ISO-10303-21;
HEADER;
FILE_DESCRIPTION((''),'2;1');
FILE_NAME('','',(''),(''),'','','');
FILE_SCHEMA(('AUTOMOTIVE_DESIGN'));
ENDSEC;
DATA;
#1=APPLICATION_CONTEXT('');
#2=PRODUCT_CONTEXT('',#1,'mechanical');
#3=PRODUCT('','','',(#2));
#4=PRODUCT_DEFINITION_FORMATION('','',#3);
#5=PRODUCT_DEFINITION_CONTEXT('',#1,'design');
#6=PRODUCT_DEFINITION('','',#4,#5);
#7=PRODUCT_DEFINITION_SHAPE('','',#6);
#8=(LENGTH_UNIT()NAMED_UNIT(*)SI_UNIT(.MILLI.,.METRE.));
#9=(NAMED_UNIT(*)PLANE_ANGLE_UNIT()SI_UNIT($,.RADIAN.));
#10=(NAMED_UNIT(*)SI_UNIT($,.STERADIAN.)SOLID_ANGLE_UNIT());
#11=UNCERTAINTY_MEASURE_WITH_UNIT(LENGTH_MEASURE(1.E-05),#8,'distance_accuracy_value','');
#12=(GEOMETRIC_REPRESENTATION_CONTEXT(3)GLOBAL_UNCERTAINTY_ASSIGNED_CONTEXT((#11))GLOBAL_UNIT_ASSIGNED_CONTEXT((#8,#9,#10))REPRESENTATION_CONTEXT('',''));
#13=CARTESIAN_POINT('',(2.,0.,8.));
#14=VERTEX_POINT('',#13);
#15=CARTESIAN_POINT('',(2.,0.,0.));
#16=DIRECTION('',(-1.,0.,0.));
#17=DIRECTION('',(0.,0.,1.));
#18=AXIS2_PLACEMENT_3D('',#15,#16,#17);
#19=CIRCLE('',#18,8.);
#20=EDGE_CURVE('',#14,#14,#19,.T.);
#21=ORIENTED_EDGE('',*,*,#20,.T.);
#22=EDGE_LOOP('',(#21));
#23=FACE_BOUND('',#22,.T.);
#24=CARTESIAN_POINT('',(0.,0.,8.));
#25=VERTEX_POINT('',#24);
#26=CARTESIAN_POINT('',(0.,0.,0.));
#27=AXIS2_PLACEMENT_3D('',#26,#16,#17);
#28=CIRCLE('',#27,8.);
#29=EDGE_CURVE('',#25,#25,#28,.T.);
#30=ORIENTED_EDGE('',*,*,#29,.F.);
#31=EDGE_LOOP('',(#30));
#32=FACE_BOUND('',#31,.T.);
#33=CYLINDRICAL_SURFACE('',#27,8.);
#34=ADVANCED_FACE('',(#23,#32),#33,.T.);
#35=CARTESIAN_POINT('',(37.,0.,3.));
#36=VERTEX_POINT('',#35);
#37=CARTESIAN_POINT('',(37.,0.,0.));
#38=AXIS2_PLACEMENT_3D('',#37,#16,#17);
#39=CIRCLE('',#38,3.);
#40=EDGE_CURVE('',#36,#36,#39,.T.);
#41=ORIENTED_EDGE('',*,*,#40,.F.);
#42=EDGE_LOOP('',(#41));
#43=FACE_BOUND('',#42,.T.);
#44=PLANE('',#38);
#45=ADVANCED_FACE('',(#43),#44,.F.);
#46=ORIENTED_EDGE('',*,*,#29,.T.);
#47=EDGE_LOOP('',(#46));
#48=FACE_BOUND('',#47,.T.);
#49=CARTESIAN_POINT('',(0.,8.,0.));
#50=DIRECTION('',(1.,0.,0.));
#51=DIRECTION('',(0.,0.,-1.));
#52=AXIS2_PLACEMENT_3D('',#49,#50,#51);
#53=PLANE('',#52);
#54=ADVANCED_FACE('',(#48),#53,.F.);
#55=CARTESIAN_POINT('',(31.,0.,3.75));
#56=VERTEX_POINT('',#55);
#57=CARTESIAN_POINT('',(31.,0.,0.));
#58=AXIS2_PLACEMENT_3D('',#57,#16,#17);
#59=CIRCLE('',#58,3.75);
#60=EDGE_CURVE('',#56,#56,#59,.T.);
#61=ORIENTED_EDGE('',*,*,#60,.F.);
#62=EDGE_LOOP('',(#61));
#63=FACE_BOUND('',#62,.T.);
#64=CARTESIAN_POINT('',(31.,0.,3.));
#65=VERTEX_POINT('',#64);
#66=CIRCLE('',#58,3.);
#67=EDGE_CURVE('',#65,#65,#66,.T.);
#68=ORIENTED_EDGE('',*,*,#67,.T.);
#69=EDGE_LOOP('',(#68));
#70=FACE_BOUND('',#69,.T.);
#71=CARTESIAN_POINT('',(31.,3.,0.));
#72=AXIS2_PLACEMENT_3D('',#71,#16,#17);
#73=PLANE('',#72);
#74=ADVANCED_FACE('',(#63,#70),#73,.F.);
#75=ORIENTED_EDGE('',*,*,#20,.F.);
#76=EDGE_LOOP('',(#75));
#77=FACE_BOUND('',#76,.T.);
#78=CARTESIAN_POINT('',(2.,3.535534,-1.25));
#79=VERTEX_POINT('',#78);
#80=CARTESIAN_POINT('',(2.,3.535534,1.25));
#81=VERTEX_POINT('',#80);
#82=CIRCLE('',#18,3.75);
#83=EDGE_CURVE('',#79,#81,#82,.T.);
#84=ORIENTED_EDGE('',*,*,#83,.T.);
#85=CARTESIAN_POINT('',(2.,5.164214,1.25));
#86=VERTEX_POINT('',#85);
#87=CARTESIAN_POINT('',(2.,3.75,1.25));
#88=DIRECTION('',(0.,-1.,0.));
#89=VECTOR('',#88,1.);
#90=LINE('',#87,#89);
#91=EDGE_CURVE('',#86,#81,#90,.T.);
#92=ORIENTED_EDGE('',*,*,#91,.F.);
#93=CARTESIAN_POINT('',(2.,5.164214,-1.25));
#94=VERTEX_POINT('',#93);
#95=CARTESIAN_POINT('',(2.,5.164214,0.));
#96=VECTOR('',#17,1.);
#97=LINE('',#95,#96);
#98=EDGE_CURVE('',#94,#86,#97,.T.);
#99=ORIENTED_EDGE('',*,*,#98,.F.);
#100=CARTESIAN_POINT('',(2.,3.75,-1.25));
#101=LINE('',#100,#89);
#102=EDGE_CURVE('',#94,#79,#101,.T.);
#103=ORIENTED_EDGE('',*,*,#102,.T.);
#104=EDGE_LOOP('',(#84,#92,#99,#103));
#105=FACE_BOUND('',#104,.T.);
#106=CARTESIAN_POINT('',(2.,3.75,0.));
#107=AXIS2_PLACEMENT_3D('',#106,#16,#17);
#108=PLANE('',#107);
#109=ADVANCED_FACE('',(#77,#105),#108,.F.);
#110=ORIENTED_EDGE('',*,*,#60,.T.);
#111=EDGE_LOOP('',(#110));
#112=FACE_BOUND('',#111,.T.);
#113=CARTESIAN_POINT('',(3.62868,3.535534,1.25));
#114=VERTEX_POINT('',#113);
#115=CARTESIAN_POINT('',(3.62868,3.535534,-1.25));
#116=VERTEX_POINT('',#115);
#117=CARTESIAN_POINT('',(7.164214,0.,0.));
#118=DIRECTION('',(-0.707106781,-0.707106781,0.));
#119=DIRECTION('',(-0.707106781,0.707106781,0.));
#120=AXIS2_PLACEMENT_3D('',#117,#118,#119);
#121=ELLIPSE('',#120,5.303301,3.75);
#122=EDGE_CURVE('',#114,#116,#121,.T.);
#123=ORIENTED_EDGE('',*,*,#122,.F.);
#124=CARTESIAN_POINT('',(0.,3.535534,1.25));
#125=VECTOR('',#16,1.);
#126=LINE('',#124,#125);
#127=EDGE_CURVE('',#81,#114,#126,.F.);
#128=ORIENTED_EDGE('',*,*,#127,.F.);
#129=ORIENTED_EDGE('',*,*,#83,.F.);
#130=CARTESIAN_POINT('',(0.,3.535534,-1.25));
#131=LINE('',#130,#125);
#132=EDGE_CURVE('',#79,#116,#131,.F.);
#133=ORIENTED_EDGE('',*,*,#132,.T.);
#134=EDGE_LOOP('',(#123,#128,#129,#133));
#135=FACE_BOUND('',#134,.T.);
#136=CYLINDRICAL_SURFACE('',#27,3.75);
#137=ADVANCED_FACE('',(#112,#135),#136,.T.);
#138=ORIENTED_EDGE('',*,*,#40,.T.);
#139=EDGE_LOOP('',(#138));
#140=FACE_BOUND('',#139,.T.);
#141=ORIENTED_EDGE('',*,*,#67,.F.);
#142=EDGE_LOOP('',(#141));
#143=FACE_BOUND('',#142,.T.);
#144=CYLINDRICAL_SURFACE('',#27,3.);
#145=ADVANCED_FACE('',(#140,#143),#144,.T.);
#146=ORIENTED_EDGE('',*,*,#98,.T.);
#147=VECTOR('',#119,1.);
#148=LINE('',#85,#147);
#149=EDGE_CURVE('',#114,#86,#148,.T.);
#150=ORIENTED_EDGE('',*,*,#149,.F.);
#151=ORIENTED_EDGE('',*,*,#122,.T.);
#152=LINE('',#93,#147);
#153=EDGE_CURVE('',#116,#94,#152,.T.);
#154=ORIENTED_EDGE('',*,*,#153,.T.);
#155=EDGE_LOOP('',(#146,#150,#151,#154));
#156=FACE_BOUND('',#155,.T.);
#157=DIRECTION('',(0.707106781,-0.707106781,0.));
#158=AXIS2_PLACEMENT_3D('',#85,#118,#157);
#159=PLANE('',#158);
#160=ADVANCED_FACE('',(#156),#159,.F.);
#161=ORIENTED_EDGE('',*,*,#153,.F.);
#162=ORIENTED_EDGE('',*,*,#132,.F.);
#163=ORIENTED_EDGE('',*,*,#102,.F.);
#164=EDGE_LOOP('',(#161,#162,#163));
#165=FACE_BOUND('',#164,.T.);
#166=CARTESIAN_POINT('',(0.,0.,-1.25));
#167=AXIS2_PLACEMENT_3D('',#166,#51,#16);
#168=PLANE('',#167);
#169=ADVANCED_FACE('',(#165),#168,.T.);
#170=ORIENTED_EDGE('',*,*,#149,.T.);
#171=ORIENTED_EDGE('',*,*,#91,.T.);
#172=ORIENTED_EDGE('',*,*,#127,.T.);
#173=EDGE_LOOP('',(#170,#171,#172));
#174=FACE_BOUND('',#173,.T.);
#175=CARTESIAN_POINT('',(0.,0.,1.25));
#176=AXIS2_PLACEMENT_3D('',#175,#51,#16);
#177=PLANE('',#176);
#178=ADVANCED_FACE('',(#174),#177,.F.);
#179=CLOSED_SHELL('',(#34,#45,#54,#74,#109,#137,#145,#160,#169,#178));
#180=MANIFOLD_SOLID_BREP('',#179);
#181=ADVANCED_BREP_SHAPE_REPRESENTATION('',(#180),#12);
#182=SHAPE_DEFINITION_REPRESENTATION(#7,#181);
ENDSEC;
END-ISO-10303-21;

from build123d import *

# Parameters (mm, degrees)
SALIENTE_EXTRUIR1_DEPTH = 1.25


with BuildPart() as part:
    # Croquis1 → Revolución1 (revolve)
    with BuildSketch(Plane.XY, mode=Mode.PRIVATE) as revoluci_n1_sk:
        Polygon((0, 0), (37, 0), (37, 3), (31, 3), (31, 3.75), (2, 3.75), (2, 8), (0, 8), align=None)
    revolve(revoluci_n1_sk.sketch.rotate(Axis((0, 0, 0), (1, 0, 0)), 90), axis=Axis((0, 0, 0), (1, 0, 0)))

    # Croquis2 → Saliente-Extruir1 (add, symmetric)
    with BuildSketch(Plane.XY):
        Polygon((2, 5.164213562), (3.414213562, 3.75), (5.426219931, 1.737993631), (0.712521071, 1.737993631), (0.712521071, 6.451692492), align=None)
    extrude(amount=SALIENTE_EXTRUIR1_DEPTH, both=True)


solid = part.part
